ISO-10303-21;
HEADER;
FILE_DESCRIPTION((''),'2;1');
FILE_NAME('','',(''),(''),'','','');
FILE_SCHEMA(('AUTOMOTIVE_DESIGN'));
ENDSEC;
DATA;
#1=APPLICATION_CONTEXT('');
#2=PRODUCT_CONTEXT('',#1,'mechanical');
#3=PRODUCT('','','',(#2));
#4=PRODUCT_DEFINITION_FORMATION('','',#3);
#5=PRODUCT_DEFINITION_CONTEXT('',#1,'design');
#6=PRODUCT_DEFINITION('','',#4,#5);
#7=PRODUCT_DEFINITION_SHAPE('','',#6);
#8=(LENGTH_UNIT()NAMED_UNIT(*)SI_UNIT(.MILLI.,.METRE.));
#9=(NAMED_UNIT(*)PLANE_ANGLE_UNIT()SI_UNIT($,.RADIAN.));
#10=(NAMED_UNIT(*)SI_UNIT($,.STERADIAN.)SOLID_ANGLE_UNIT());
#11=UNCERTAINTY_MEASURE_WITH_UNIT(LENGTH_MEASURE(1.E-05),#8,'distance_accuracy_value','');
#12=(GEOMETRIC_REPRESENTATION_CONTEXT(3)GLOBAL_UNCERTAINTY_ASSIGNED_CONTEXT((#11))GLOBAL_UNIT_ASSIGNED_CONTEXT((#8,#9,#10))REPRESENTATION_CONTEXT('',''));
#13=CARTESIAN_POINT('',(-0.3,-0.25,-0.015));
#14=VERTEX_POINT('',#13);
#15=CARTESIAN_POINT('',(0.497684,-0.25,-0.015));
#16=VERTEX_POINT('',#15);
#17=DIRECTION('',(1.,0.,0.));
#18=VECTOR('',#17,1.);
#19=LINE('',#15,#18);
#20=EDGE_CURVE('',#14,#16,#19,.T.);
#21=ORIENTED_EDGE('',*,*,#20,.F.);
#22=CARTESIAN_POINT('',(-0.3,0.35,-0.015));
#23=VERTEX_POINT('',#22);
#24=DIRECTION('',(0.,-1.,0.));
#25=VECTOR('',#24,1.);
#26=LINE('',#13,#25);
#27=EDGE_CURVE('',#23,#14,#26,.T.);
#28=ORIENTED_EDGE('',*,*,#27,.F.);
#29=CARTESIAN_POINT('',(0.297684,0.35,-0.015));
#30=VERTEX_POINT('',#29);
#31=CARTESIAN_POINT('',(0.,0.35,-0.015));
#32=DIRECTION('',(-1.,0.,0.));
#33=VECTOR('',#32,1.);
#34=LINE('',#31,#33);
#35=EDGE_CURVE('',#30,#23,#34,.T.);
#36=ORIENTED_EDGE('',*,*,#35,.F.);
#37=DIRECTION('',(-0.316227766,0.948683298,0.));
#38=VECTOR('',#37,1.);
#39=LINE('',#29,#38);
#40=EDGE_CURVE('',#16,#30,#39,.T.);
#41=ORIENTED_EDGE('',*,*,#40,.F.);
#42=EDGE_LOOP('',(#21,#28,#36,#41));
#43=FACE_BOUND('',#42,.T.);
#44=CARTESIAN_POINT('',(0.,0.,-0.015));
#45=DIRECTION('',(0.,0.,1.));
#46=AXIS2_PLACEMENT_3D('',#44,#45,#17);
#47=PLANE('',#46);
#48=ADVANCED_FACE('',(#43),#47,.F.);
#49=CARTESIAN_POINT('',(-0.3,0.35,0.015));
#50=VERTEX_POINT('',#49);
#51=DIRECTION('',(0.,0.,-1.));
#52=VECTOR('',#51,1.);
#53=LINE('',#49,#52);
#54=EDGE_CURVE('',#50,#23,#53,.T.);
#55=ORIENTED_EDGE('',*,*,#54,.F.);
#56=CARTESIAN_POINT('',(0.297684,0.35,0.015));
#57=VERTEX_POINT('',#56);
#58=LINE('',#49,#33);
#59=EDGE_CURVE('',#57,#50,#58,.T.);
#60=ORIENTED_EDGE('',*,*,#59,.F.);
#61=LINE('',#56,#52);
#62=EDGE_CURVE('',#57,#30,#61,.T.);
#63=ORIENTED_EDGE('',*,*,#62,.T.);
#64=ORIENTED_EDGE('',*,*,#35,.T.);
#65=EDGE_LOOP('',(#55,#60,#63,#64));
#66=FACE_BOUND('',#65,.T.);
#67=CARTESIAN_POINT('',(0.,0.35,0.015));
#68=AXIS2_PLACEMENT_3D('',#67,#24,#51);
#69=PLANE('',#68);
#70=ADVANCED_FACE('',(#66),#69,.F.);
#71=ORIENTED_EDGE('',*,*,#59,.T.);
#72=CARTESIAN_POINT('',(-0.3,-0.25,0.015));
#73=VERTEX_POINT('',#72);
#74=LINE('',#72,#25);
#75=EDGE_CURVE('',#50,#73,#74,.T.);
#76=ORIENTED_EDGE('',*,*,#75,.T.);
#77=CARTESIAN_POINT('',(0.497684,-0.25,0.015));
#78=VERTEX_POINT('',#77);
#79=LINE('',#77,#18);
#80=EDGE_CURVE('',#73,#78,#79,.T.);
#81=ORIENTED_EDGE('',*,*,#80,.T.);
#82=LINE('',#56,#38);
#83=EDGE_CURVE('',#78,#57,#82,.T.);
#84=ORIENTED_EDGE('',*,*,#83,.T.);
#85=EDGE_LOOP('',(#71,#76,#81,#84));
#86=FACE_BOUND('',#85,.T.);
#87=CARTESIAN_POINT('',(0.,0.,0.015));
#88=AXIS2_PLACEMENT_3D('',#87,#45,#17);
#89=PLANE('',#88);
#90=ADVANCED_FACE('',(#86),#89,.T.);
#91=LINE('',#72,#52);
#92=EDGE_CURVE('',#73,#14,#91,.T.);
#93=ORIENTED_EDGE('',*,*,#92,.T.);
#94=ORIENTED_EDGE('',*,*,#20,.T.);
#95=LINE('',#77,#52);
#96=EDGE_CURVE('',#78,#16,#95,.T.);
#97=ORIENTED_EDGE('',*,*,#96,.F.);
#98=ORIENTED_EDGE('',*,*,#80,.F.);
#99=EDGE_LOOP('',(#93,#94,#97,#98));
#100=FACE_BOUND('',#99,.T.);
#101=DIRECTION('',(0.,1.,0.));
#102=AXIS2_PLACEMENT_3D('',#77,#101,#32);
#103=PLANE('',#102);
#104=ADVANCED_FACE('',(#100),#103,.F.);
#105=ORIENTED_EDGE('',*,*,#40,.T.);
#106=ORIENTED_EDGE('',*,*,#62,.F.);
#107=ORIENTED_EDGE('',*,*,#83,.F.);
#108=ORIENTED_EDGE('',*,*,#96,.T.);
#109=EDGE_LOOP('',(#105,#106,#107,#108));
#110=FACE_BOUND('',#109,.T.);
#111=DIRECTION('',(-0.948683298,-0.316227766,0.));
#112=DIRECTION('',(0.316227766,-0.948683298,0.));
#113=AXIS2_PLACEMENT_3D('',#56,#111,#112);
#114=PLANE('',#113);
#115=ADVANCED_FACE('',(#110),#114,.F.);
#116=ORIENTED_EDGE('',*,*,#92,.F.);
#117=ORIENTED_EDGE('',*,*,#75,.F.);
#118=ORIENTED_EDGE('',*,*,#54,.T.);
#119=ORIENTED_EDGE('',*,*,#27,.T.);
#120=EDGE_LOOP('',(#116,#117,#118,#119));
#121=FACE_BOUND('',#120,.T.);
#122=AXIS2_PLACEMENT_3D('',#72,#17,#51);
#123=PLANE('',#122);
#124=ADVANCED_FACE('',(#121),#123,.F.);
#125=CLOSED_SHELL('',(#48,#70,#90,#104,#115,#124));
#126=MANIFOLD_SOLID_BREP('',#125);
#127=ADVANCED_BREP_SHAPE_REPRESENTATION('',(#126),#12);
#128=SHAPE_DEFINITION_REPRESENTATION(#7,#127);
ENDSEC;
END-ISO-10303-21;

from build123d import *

# Parameters (mm, degrees)
BOSS_EXTRUDE1_DEPTH = 0.015


with BuildPart() as part:
    # Sketch2 → Boss-Extrude1 (new, symmetric)
    with BuildSketch(Plane.XY):
        Polygon((0, 0.35), (0.297683813, 0.35), (0.497683813, -0.25), (-0.3, -0.25), (-0.3, 0.35), align=None)
    extrude(amount=BOSS_EXTRUDE1_DEPTH, both=True)


solid = part.part
